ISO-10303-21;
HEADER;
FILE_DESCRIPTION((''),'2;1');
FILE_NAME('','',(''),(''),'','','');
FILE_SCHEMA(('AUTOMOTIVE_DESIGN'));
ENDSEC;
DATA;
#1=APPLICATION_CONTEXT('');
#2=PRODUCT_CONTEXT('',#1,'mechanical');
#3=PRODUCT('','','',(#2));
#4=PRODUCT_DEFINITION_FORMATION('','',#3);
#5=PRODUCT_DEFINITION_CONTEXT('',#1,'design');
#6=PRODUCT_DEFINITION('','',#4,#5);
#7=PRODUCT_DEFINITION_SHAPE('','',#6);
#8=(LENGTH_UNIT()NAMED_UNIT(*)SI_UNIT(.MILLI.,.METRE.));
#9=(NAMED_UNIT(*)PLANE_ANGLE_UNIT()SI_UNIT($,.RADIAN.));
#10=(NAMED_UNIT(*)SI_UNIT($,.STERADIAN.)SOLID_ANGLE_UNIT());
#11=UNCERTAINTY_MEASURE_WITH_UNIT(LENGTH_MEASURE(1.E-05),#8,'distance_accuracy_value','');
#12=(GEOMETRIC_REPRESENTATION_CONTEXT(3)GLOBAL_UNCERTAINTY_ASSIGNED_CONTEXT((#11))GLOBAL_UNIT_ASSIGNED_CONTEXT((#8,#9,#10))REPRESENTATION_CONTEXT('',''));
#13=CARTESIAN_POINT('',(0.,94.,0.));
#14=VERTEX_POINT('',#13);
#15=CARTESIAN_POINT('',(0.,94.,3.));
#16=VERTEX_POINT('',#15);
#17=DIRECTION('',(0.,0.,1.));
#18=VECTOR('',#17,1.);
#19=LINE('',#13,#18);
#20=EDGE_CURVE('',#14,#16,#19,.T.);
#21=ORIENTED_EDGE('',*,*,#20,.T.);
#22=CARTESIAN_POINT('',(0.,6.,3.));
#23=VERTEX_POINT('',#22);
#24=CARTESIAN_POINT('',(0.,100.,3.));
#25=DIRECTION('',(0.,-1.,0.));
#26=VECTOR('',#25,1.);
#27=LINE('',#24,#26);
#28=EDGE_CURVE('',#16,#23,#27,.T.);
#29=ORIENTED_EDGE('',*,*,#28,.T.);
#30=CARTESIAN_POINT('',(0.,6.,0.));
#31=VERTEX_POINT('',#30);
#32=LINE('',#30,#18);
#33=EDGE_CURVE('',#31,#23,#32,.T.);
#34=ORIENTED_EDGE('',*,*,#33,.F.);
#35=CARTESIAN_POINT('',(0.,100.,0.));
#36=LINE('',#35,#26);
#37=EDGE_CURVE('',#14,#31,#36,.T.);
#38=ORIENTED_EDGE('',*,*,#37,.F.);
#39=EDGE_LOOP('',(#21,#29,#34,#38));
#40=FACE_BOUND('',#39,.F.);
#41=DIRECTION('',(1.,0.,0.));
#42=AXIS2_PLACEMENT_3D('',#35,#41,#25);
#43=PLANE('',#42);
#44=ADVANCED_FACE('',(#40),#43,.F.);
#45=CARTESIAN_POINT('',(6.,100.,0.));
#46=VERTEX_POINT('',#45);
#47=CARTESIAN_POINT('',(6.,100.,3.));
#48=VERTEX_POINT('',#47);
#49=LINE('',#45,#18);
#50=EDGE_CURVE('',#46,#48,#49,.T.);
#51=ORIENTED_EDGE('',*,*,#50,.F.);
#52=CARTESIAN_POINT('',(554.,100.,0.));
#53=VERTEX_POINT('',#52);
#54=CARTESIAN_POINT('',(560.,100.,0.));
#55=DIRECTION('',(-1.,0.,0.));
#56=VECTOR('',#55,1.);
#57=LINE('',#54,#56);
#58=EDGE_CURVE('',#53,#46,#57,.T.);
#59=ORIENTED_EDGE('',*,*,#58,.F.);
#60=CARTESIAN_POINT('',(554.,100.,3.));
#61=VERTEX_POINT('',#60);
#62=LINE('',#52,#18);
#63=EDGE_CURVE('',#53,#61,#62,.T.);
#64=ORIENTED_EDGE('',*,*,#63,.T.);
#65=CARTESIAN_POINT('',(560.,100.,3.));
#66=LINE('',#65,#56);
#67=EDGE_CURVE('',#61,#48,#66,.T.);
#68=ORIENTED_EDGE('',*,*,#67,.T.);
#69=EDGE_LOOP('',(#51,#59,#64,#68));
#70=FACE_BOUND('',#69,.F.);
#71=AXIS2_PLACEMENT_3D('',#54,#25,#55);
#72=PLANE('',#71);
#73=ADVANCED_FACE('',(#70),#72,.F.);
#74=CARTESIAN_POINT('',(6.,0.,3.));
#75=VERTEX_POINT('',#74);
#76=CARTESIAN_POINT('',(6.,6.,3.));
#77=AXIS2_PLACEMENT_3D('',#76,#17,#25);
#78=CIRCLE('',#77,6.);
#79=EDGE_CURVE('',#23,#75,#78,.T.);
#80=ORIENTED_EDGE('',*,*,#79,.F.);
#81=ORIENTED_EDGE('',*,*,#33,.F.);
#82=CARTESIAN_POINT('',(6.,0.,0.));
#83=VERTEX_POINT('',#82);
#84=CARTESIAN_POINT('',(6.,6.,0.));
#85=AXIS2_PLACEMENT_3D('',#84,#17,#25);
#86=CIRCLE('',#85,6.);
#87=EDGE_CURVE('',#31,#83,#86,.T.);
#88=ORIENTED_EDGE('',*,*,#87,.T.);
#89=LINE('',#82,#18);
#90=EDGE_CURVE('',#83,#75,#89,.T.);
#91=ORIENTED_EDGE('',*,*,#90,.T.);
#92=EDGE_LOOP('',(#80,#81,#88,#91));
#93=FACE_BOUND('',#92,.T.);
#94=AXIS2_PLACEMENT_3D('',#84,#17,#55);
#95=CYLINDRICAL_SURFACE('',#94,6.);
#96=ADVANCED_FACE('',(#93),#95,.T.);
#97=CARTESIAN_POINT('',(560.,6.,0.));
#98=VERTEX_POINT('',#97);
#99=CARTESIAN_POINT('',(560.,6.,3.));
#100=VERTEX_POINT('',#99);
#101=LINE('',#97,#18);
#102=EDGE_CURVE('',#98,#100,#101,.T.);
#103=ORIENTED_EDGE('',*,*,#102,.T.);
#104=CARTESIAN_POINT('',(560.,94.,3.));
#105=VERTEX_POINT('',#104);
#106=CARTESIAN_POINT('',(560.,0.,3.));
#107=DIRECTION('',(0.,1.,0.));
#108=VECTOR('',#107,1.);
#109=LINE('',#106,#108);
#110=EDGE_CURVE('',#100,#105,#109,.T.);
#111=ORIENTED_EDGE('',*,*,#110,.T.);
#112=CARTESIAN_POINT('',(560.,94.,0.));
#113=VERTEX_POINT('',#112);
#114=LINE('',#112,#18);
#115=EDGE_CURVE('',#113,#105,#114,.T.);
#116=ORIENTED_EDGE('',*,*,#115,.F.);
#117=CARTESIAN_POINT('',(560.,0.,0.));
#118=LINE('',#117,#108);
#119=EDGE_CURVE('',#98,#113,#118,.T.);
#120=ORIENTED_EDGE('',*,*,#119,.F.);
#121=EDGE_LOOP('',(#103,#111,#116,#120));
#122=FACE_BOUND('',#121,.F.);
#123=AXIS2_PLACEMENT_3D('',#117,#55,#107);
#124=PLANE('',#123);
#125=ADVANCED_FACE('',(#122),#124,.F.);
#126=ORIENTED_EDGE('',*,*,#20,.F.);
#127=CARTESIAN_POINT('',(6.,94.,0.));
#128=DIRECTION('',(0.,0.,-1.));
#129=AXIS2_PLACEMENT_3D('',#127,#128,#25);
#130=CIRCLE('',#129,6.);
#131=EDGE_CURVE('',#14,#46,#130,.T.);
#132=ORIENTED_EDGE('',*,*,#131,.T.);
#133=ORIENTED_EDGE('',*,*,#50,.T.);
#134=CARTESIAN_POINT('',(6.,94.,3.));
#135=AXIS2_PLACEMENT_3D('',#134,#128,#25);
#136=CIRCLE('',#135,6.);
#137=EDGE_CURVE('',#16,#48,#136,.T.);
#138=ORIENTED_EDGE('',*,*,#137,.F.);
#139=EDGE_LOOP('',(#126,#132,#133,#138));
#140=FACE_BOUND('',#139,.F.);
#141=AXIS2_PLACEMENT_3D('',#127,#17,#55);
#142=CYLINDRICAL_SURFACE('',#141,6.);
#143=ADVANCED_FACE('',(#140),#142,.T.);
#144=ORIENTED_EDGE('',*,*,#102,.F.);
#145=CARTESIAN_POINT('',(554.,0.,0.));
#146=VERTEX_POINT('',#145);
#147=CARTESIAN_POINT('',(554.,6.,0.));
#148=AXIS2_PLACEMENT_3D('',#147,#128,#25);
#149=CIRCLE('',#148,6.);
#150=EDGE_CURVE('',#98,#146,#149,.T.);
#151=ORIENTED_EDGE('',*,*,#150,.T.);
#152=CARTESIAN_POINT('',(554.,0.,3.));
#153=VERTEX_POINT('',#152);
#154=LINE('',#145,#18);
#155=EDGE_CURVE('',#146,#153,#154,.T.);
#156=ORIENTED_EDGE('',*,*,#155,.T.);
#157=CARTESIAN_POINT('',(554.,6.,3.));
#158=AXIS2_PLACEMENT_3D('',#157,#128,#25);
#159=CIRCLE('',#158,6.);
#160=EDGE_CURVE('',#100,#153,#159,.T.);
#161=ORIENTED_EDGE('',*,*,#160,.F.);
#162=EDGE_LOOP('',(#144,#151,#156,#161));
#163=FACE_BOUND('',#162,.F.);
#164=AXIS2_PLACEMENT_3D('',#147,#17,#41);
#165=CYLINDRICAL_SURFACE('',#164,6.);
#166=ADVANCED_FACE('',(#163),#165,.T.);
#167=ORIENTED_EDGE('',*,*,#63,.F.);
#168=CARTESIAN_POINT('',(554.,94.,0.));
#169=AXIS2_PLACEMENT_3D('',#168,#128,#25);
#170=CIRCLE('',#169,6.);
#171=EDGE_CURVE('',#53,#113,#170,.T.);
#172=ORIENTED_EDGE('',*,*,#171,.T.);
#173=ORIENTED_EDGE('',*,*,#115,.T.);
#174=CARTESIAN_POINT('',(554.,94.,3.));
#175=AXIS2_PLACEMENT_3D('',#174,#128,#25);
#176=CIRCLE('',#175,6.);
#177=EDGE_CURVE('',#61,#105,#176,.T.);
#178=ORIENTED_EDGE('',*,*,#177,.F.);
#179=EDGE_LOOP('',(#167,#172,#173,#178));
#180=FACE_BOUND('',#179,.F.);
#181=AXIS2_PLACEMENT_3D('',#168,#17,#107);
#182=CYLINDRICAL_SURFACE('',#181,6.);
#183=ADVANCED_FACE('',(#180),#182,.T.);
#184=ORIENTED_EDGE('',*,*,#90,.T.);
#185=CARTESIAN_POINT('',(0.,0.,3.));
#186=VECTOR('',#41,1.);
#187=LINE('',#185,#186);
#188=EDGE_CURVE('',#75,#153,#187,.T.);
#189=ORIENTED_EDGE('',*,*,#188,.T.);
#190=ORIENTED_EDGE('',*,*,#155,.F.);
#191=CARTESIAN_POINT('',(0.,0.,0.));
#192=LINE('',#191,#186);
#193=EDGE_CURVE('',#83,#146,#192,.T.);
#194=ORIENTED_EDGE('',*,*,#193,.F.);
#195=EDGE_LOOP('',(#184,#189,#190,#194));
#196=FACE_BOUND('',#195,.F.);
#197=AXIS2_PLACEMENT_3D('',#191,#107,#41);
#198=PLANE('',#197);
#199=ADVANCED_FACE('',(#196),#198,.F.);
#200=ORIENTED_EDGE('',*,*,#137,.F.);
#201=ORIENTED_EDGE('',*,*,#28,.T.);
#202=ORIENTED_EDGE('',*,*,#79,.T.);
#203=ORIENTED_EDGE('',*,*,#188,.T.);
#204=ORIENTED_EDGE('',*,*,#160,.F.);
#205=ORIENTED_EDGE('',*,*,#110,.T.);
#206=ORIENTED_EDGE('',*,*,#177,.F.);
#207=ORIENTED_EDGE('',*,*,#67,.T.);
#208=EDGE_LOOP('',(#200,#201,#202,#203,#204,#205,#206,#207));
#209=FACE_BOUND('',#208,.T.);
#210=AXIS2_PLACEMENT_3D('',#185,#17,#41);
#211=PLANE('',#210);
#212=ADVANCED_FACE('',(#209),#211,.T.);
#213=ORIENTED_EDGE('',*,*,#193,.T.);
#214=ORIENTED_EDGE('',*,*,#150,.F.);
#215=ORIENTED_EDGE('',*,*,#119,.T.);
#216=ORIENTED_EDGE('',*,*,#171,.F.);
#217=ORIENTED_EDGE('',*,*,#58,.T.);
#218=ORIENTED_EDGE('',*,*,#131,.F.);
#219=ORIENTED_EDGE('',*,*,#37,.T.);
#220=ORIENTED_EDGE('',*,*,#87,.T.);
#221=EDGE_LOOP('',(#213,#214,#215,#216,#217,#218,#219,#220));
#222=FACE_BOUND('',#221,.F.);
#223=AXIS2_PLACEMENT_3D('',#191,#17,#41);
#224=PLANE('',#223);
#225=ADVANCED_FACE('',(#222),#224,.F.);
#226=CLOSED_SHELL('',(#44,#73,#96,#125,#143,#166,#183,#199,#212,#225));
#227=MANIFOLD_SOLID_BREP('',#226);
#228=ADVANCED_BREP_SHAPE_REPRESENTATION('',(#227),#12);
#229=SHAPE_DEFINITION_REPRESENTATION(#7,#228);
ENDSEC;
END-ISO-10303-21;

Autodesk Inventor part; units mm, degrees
ref_plane "YZ Plane" through (0, 0, 0) normal (1, 0, 0) x (0, 1, 0)
ref_plane "XZ Plane" through (0, 0, 0) normal (0, 1, 0) x (-1, 0, 0)
ref_plane "XY Plane" through (0, 0, 0) normal (0, 0, 1) x (1, 0, 0)
sketch "Sketch1" plane through (0, 0, 0) normal (0, 0, 1) x (1, 0, 0)
  line L0 (0, 0) -> (560, 0)
  line L1 (560, 0) -> (560, 100)
  line L2 (560, 100) -> (0, 100)
  line L3 (0, 100) -> (0, 0)
  dimension "d0" = 560
  dimension "d1" = 100
extrude "Extrusion1" add sketch "Sketch1" along normal blind 3
fillet "Fillet1" radius 6 4 edges at (0, 0, 1.5) (0, 100, 1.5) (560, 100, 1.5) (560, 0, 1.5)
properties part number "Backbone2" material "Aluminum 6061"
